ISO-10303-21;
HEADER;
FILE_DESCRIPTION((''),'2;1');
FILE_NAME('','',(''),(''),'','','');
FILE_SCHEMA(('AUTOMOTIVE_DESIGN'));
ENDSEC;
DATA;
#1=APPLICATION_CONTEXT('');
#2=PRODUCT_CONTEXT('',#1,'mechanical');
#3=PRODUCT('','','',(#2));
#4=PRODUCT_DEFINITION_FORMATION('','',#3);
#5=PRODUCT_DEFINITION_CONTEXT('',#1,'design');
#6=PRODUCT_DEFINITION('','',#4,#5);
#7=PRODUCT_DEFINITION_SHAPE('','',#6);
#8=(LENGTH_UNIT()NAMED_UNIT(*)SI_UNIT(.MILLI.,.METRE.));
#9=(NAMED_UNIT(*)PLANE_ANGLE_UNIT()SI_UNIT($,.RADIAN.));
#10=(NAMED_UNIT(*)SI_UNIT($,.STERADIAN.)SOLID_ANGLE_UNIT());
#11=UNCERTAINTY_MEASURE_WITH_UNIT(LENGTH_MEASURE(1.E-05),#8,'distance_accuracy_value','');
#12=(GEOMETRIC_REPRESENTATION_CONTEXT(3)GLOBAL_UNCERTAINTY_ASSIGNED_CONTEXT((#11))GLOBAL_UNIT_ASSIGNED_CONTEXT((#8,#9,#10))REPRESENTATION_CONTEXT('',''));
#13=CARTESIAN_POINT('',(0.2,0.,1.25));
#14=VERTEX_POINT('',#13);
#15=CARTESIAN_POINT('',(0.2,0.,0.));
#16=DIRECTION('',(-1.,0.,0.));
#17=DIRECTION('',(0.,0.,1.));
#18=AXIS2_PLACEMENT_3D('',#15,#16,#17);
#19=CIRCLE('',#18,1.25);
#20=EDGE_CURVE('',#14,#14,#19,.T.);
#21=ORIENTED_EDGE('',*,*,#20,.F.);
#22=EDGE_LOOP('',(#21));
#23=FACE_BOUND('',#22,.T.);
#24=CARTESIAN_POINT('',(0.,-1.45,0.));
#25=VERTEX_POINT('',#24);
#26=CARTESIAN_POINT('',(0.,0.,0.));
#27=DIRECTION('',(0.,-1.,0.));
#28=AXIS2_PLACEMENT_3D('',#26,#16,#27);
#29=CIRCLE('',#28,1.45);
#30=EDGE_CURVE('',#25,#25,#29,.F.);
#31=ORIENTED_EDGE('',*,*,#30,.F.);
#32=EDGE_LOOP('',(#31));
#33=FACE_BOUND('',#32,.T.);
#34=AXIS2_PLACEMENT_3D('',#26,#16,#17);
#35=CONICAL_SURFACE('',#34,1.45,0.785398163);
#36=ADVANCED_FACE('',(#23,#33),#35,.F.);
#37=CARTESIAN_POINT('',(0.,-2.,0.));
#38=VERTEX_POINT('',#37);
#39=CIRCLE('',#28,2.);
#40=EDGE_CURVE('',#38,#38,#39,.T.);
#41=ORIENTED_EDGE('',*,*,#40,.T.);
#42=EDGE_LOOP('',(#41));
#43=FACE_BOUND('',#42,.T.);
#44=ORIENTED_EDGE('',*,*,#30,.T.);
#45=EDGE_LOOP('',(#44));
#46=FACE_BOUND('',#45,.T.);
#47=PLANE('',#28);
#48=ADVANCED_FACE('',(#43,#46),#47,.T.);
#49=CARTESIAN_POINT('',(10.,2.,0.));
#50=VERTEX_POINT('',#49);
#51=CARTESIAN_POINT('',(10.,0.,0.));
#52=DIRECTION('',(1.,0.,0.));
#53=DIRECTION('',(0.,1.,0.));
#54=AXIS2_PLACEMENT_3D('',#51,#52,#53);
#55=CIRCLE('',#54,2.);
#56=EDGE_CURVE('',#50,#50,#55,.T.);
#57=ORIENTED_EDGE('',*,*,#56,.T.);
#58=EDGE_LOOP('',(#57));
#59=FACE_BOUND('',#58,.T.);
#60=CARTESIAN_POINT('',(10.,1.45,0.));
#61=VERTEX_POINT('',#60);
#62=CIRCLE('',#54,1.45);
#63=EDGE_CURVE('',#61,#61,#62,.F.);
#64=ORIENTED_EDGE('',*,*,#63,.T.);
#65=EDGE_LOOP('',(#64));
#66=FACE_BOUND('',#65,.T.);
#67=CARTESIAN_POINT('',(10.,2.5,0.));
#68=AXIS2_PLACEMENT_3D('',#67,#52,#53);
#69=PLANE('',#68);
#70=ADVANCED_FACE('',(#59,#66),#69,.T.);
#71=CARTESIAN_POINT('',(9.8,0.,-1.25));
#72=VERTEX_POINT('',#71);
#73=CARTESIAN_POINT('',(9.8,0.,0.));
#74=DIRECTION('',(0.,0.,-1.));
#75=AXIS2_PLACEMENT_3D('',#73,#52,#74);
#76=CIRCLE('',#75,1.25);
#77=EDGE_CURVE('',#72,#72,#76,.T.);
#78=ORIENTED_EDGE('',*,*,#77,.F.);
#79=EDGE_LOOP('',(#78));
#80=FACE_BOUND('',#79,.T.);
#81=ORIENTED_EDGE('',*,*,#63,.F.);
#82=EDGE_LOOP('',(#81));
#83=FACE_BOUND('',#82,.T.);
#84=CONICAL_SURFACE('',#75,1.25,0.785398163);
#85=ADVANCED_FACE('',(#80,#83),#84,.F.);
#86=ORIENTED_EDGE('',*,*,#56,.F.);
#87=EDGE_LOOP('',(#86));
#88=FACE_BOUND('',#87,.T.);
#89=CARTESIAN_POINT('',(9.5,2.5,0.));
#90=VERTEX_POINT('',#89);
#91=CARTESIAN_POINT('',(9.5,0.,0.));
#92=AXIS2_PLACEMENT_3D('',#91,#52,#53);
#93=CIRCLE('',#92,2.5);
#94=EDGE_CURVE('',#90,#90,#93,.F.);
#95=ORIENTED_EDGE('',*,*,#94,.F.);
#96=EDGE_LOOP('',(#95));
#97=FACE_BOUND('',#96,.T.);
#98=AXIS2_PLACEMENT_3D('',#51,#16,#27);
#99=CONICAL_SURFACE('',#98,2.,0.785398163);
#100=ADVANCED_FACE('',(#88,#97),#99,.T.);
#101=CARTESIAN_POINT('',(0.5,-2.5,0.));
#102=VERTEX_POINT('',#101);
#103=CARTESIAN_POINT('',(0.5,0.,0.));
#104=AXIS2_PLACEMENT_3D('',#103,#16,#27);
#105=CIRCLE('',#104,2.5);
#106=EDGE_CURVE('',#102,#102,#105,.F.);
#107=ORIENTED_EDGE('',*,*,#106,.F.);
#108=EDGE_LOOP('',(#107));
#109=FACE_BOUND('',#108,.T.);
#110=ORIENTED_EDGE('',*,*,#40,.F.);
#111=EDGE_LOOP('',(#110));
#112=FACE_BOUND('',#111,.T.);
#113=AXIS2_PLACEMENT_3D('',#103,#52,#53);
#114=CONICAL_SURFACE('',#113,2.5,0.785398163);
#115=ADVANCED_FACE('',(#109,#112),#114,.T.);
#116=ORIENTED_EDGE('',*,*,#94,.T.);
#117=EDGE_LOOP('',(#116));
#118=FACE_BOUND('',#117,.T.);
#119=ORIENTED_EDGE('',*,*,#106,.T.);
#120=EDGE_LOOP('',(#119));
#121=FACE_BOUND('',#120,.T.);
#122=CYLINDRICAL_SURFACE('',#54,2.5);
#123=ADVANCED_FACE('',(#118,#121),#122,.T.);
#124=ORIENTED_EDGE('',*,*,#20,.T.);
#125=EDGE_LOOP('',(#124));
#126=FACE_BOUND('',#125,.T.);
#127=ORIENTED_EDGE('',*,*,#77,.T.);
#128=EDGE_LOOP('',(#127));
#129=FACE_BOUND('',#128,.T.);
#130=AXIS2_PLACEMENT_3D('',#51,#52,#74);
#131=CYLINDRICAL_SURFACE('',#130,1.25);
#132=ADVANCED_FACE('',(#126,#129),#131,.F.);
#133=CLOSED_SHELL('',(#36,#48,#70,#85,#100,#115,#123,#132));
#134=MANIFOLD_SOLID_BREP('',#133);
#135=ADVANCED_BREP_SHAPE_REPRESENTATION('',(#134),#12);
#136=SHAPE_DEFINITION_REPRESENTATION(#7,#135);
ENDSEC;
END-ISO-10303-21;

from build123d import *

# Parameters (mm, degrees)
SKETCH_1_W        = 10
SKETCH_1_H        = 2.5
HOLE_WIZARD_M31_D = 2.5
CHAMFER_1_SIZE    = 0.2
CHAMFER_2_SIZE    = 0.5


with BuildPart() as part:
    # Эскиз1 → Повернуть1 (revolve)
    with BuildSketch(Plane.XY):
        with Locations((5, 1.25)):
            Rectangle(SKETCH_1_W, SKETCH_1_H)
    revolve(axis=Axis((10, 0, 0), (-1, 0, 0)))

    # Отверстие обработанное метчиком M31 (through all)
    with Locations(Plane(origin=(10, 0, 0), x_dir=(0, 0, -1), z_dir=(1, 0, 0))):
        with Locations((0, 0)):
            Hole(HOLE_WIZARD_M31_D / 2)

    # Фаска1
    chamfer_1_edges = [part.edges().sort_by_distance(p)[0] for p in [
        (10, 0, -1.25),
        (0, 0, -1.25),
    ]]
    chamfer(chamfer_1_edges, length=CHAMFER_1_SIZE)

    # Фаска2
    chamfer_2_edges = [part.edges().sort_by_distance(p)[0] for p in [
        (10, -2.5, 0),
        (0, -2.5, 0),
    ]]
    chamfer(chamfer_2_edges, length=CHAMFER_2_SIZE)


solid = part.part
